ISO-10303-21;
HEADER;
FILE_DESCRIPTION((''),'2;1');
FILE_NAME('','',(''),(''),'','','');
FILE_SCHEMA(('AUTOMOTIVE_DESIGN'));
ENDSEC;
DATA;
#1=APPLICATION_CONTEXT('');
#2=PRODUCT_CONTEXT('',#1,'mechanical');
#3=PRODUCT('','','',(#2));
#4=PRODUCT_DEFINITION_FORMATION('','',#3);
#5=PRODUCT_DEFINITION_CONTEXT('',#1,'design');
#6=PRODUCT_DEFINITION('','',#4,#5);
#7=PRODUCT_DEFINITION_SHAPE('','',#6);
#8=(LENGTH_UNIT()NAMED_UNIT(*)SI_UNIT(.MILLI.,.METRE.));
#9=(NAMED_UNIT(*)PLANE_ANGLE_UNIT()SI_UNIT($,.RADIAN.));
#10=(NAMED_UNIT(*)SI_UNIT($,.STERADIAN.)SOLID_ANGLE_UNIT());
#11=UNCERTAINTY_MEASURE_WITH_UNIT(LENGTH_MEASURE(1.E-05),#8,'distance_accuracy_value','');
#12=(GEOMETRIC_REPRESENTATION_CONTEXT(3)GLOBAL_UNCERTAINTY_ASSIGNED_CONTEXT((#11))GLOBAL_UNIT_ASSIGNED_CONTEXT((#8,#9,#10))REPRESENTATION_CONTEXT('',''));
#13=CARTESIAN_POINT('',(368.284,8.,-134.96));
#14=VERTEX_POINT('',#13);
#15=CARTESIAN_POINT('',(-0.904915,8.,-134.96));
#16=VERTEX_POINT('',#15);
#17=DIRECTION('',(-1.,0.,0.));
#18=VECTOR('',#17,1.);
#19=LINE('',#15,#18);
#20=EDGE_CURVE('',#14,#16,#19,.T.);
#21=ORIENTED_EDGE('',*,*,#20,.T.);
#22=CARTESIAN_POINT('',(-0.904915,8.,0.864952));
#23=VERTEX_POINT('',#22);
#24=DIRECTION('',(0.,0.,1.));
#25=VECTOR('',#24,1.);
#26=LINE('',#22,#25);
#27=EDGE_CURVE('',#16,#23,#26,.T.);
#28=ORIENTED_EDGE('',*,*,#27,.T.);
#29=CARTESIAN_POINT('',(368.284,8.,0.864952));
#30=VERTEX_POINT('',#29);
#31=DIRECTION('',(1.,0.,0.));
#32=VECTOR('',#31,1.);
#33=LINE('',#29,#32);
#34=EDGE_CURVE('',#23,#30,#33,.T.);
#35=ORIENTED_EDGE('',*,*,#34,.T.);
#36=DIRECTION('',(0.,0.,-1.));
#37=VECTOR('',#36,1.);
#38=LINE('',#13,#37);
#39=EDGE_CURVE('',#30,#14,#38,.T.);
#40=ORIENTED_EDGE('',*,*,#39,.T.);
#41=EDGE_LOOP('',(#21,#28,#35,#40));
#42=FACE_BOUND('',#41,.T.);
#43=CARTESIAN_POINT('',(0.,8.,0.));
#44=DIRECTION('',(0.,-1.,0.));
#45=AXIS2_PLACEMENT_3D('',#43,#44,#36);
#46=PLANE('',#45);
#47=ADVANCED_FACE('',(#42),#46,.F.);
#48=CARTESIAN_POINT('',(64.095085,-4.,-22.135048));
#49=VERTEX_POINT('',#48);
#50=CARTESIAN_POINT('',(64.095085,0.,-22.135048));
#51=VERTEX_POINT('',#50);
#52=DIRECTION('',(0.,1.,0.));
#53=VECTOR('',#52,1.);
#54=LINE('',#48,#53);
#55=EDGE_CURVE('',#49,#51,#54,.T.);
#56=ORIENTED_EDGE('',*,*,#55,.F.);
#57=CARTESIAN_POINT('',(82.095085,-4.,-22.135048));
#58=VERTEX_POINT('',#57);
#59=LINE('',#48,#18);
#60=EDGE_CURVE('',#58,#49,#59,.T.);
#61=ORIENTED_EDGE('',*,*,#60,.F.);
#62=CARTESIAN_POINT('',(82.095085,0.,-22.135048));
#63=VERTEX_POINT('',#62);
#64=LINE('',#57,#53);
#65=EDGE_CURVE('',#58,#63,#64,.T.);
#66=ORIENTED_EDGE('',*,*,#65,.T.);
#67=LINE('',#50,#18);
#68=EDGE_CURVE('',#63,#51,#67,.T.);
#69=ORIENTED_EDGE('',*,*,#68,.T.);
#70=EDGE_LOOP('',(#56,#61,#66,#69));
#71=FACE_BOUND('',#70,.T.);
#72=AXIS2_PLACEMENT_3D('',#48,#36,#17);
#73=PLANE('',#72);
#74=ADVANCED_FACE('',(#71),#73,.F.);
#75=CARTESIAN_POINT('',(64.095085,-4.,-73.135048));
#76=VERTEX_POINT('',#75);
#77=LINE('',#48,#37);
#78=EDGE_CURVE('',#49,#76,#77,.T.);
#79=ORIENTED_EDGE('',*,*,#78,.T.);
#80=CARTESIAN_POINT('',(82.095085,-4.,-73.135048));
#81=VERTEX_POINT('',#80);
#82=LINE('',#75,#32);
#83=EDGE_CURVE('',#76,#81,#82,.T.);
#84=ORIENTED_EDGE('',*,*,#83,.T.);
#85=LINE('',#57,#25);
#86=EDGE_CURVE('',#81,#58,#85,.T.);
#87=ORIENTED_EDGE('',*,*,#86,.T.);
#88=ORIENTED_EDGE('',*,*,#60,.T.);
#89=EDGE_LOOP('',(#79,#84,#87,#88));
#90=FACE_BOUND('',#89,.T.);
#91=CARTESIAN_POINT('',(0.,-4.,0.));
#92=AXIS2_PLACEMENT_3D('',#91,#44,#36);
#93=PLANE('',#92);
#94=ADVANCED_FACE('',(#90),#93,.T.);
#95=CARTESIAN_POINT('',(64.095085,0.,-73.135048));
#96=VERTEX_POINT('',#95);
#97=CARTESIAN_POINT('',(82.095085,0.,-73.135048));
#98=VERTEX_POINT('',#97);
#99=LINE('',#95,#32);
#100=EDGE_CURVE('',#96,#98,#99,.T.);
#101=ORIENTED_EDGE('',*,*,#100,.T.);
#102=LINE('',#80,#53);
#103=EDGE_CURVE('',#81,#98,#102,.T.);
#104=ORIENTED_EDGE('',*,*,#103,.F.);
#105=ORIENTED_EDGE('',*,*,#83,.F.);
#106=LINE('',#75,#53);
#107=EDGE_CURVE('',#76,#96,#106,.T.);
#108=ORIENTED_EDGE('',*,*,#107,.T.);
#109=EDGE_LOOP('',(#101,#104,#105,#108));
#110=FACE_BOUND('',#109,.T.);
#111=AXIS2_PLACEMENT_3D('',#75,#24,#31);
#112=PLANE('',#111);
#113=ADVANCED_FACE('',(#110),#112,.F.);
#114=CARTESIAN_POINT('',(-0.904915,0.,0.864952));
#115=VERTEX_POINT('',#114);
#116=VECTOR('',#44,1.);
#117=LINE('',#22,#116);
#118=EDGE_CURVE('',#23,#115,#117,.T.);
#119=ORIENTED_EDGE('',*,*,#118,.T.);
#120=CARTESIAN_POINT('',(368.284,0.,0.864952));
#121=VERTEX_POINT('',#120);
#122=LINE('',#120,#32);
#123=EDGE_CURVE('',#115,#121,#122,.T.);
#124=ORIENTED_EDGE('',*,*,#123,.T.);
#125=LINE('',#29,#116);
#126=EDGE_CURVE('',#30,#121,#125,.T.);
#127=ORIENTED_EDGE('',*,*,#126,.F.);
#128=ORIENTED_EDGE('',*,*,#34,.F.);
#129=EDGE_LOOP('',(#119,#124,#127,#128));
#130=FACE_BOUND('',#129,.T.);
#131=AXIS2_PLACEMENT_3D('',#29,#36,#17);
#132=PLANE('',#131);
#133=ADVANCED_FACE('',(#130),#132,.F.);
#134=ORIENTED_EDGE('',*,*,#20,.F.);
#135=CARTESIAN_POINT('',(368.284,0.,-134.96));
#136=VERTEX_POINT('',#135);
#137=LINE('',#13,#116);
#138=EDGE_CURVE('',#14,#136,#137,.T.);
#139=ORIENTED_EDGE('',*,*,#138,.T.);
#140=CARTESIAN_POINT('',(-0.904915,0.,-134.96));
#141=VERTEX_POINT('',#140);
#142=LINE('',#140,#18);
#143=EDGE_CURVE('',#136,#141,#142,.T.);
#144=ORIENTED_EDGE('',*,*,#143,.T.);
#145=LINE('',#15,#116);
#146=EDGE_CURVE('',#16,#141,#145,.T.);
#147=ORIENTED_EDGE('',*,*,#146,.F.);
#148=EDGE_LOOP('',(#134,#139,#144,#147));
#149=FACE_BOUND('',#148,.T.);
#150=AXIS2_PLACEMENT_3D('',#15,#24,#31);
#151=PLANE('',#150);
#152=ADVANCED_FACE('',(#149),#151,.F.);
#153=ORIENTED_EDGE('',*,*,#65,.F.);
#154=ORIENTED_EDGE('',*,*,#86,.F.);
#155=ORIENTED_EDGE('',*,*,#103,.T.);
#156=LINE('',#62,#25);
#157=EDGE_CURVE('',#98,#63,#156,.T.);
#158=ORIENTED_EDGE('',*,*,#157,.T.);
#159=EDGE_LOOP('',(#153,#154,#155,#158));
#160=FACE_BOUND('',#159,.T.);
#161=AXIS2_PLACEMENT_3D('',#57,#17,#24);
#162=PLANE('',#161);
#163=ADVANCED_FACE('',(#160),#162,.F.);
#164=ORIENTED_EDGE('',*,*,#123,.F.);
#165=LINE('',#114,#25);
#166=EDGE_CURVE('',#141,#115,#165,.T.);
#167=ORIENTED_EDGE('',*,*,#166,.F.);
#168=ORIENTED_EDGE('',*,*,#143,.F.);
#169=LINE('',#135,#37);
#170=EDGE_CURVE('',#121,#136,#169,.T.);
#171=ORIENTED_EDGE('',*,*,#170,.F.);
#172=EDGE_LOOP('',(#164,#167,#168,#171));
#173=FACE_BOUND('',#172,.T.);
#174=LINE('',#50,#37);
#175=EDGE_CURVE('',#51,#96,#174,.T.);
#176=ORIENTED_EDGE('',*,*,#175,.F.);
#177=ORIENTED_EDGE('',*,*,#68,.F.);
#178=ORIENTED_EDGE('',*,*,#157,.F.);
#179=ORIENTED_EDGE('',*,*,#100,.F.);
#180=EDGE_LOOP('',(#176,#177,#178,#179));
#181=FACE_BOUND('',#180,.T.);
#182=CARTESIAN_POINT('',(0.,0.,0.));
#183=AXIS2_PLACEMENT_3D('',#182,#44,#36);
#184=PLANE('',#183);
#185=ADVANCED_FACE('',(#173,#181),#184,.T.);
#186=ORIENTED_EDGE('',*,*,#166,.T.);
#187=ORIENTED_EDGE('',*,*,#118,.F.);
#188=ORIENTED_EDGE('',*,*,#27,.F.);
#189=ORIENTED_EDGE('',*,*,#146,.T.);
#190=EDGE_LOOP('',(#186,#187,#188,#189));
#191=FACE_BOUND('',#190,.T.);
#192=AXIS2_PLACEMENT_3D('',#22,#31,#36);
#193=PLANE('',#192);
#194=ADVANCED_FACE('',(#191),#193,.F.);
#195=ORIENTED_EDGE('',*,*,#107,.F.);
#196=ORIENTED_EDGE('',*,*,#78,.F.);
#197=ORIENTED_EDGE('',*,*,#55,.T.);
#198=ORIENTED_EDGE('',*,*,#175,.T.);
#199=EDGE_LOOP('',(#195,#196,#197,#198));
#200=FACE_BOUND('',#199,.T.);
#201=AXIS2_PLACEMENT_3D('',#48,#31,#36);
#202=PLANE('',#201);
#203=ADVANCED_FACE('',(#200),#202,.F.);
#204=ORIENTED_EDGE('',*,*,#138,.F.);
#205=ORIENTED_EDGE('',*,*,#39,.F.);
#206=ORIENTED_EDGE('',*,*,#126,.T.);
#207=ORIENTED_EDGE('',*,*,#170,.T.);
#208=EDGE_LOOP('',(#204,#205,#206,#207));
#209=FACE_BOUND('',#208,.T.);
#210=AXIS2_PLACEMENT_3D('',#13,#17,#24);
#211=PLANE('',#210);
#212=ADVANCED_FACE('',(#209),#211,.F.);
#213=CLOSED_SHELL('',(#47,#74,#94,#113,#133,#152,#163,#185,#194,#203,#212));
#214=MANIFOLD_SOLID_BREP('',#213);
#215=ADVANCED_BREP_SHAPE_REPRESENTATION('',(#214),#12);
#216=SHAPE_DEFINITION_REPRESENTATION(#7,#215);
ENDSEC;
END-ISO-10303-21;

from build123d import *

# Parameters (mm, degrees)
SKETCH_1_W      = 369.1889154
SKETCH_1_H      = 135.824952
EXTRUDE_1_DEPTH = 8
SKETCH_3_W      = 18
SKETCH_3_H      = 51
EXTRUDE_3_DEPTH = 4


with BuildPart() as part:
    # 草图1 → 凸台-拉伸1 (new body)
    with BuildSketch(Plane(origin=(0, 0, 0), x_dir=(1, 0, 0), z_dir=(0, 1, 0))):
        with Locations((183.6895423, 67.047524)):
            Rectangle(SKETCH_1_W, SKETCH_1_H)
    extrude(amount=EXTRUDE_1_DEPTH)

    # 草图3 → 凸台-拉伸3 (add)
    with BuildSketch(Plane.XZ):
        with Locations((73.0950846, -47.635048)):
            Rectangle(SKETCH_3_W, SKETCH_3_H)
    extrude(amount=EXTRUDE_3_DEPTH)


solid = part.part
